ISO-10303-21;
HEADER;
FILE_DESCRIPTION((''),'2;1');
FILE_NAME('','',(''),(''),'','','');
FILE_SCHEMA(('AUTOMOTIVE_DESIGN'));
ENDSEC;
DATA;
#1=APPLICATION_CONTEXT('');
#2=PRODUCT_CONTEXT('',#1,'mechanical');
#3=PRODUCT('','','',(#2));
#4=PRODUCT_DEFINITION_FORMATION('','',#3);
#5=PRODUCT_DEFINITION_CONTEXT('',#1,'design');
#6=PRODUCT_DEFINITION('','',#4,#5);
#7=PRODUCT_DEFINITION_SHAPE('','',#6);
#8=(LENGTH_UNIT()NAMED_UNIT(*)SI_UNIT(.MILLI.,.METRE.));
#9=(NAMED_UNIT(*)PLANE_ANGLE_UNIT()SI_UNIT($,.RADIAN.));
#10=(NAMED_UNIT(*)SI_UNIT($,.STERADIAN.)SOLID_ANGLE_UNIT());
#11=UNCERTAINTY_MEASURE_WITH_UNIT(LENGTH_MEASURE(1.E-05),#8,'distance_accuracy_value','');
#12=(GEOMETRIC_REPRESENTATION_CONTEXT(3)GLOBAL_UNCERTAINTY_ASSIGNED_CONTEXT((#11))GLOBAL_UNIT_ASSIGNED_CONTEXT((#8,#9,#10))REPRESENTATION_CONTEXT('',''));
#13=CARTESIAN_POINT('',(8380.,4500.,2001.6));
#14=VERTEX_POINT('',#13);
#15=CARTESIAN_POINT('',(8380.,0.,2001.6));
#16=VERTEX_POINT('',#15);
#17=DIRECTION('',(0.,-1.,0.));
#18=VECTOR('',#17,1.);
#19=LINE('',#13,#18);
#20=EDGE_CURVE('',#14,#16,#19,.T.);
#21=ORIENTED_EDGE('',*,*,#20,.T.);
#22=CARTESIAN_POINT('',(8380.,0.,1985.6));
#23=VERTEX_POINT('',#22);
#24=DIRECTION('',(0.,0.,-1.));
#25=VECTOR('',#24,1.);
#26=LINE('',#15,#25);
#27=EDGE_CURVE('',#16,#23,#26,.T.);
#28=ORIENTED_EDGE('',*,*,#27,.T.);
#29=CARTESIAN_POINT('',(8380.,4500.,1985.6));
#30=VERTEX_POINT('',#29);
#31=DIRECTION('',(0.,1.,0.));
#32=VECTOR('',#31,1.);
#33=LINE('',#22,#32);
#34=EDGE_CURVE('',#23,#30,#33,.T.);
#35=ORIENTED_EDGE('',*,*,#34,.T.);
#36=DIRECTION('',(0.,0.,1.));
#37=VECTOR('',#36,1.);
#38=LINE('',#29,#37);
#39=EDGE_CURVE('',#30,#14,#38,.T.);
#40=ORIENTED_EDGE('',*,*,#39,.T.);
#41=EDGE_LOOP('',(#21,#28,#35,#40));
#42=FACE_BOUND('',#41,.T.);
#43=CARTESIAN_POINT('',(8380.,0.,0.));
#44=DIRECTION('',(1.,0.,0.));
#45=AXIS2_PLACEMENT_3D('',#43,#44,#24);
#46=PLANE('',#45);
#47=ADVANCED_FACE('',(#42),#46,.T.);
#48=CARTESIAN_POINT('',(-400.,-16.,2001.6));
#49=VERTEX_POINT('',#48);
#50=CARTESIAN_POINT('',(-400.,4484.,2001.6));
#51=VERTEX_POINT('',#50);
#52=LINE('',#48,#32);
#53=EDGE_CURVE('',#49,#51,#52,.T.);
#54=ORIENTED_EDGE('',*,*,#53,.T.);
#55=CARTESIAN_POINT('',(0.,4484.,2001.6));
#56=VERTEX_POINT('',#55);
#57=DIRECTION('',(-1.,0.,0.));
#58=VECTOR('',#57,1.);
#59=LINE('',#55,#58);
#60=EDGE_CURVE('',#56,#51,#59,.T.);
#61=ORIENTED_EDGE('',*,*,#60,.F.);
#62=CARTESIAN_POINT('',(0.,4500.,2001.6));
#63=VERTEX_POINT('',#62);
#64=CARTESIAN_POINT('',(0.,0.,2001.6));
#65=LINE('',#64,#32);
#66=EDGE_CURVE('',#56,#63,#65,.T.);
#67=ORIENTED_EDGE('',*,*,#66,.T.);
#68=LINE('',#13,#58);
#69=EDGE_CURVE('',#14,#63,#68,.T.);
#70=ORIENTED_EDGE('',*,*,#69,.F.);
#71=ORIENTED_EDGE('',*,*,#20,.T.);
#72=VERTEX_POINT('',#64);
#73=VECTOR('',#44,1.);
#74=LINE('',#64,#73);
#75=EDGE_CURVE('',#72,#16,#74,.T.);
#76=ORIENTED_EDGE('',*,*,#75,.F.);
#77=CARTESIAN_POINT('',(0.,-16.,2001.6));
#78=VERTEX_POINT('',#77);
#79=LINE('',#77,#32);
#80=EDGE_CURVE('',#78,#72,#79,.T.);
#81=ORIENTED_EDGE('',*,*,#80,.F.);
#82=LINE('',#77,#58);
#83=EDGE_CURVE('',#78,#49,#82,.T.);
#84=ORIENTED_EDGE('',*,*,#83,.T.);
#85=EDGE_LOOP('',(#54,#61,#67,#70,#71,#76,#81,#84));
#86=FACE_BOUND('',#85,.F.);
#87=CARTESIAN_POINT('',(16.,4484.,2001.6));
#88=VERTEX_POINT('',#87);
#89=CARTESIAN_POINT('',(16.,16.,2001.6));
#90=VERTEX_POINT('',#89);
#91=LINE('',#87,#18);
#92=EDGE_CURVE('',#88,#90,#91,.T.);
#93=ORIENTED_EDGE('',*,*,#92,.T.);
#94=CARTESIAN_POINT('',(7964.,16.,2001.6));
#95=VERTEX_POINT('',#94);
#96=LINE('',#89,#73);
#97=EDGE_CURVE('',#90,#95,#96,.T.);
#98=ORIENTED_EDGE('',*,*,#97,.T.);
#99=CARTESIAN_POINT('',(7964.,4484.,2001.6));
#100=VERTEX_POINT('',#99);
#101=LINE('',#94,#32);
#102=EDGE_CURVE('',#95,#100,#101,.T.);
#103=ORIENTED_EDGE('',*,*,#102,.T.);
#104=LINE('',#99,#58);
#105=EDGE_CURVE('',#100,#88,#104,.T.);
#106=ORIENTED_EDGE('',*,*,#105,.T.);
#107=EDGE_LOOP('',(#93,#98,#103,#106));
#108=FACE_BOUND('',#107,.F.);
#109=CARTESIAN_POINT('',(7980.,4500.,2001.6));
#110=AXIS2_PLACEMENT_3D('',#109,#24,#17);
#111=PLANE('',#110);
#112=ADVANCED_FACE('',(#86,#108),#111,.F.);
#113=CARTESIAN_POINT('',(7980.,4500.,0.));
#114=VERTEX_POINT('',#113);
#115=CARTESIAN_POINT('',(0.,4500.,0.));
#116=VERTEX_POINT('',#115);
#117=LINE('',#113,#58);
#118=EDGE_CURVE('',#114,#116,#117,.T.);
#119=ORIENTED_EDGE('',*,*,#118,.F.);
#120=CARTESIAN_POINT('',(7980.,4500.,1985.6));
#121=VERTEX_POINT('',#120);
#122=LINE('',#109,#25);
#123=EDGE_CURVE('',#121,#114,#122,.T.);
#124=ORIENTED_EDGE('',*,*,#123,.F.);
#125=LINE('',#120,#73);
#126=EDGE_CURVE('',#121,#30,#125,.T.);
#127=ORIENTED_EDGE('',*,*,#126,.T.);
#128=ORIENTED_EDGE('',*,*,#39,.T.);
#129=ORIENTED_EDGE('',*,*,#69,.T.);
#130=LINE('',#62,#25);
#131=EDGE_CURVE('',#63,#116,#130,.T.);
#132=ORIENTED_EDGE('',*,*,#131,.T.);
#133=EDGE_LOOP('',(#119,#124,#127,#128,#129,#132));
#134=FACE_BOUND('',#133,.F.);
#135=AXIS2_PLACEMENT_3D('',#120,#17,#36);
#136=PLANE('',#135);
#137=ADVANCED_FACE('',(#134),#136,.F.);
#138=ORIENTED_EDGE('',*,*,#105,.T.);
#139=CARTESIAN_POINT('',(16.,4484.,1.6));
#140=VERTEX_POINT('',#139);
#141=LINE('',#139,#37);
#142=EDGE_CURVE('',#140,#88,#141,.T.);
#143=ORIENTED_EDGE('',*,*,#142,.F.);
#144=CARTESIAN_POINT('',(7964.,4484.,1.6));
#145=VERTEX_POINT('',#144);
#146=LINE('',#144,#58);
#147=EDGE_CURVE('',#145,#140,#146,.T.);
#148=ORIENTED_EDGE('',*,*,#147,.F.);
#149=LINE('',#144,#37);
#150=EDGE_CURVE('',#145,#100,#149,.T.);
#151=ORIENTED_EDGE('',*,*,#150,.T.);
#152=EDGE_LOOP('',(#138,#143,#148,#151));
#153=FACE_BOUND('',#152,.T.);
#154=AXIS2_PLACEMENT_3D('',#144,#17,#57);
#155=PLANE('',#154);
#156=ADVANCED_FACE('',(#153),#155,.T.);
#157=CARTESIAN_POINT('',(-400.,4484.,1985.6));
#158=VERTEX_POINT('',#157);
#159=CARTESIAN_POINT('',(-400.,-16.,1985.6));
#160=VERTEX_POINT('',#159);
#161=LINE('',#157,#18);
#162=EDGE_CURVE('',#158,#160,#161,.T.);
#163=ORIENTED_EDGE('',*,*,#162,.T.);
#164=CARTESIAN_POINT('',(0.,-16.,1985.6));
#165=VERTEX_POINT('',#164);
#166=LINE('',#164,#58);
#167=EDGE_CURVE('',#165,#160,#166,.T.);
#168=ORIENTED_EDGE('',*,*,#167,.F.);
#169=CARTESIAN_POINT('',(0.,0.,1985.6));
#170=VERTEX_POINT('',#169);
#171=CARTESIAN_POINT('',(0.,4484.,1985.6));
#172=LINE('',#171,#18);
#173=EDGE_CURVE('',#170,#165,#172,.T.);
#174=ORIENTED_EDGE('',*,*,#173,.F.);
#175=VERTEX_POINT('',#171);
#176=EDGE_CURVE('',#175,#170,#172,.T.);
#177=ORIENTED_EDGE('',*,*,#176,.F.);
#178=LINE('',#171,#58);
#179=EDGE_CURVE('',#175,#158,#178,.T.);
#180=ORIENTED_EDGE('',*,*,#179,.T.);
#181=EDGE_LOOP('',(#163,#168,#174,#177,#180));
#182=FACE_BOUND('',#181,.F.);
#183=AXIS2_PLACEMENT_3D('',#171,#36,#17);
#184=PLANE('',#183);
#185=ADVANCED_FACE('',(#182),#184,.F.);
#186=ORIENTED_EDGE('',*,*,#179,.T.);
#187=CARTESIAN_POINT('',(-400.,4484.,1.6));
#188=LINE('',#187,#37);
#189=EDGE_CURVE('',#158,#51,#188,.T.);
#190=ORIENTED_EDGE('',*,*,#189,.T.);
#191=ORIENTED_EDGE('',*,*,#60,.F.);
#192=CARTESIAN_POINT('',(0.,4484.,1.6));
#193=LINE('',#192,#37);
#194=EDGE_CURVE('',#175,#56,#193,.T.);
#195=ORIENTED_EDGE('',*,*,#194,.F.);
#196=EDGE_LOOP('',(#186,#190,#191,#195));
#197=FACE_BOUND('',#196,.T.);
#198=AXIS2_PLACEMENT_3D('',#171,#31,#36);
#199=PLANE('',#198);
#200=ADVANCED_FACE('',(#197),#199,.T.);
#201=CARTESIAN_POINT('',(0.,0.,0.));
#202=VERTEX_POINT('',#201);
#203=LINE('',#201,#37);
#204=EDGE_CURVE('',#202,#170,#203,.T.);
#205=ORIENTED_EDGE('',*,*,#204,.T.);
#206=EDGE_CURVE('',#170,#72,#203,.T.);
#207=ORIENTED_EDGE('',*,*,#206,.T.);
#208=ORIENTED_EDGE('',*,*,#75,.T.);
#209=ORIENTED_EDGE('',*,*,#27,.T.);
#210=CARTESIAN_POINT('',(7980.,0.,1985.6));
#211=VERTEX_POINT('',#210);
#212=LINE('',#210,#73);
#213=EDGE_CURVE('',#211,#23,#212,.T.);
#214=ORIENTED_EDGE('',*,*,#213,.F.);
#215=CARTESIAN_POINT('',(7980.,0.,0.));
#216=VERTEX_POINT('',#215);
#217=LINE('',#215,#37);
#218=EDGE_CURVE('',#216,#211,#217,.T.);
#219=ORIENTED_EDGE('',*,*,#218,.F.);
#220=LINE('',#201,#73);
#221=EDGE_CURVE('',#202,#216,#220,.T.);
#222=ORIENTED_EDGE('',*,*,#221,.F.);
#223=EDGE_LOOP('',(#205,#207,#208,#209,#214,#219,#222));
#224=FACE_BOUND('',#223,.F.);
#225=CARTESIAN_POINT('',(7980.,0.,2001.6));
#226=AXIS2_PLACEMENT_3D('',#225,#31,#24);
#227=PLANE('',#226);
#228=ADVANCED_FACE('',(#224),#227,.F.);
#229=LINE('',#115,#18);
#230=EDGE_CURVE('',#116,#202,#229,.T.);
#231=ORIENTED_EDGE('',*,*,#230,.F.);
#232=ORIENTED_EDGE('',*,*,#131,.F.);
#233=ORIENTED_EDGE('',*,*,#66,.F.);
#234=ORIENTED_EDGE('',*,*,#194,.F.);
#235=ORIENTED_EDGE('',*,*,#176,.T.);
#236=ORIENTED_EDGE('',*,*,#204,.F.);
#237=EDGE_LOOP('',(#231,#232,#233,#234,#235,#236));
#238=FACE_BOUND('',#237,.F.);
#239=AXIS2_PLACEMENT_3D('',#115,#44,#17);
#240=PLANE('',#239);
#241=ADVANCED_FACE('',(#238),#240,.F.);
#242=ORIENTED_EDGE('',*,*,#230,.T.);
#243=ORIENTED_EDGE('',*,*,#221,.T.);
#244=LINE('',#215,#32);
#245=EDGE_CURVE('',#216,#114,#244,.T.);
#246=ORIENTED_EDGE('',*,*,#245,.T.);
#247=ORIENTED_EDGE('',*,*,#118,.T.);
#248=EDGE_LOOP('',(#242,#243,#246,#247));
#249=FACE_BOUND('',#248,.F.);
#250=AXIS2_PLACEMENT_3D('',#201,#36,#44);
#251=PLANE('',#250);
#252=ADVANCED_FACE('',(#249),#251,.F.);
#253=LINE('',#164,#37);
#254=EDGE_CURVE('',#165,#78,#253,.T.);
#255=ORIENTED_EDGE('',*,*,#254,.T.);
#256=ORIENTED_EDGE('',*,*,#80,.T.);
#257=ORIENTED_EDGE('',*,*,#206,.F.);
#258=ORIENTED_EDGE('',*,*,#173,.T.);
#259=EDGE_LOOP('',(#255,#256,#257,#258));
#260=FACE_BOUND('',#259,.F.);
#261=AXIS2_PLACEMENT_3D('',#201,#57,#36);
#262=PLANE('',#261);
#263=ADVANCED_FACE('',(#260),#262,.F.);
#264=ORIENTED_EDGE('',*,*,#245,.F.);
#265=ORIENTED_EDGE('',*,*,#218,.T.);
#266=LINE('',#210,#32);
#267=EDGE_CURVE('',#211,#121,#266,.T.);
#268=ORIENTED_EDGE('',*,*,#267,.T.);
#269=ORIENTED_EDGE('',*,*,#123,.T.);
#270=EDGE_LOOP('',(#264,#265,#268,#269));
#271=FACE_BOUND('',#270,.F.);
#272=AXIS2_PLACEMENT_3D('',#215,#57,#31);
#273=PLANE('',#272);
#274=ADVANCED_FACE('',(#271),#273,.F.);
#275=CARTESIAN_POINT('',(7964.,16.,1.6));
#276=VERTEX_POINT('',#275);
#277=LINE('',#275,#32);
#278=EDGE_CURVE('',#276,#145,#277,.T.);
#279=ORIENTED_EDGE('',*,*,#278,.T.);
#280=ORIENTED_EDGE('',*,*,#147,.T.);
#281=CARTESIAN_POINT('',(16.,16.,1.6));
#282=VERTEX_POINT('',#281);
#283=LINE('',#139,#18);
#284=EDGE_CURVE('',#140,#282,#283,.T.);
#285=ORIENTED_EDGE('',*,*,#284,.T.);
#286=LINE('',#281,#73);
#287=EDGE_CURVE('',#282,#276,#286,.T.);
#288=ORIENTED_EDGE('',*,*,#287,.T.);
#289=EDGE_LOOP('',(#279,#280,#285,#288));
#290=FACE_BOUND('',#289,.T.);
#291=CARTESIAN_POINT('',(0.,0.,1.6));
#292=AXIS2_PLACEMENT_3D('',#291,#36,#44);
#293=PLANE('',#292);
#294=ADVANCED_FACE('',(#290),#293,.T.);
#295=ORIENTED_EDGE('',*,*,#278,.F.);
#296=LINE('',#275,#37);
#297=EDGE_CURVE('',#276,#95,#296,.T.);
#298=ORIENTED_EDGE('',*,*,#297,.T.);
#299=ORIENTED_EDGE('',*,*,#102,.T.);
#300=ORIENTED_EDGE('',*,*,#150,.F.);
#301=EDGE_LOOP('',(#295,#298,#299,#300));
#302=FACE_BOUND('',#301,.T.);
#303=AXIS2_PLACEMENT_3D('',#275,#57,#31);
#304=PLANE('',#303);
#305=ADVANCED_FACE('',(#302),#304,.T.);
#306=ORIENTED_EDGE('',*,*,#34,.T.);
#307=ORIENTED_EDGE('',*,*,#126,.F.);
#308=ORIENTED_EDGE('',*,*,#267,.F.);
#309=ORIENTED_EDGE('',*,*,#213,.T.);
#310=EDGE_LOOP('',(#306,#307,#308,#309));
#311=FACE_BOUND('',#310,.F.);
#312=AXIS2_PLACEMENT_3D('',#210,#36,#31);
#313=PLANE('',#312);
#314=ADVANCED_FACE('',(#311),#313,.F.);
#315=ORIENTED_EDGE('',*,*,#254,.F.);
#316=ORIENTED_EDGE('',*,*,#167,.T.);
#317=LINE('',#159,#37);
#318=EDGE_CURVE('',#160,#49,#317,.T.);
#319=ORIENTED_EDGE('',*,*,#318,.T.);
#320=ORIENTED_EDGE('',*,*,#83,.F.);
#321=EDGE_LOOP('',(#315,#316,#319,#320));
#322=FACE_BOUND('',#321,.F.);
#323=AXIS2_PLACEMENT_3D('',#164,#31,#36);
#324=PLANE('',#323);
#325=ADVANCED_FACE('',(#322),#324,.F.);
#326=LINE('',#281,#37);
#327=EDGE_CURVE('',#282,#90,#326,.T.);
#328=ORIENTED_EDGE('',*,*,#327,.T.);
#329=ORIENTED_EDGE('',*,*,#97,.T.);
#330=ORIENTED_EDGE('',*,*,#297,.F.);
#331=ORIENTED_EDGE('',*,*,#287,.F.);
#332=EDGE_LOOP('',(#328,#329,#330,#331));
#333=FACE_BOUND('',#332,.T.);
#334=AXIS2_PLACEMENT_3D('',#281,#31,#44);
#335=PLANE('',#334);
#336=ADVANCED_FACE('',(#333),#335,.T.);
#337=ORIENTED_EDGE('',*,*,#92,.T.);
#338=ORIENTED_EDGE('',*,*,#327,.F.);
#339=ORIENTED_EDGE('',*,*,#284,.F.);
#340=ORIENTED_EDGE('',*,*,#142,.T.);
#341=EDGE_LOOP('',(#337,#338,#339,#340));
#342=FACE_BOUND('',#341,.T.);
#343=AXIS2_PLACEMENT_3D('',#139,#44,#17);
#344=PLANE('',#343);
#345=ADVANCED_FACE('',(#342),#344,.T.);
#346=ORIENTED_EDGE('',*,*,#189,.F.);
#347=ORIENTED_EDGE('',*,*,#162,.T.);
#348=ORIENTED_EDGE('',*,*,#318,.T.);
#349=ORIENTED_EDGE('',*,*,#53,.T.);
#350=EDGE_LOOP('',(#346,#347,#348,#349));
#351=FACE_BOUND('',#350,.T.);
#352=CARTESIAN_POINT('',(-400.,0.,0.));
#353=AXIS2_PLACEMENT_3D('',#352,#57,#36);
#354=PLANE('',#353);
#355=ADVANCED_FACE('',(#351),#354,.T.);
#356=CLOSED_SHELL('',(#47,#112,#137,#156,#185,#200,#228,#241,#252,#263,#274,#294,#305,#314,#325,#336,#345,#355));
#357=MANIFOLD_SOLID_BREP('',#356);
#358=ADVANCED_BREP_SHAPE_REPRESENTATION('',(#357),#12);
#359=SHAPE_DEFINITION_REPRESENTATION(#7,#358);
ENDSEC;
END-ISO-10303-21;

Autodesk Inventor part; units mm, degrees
ref_plane "YZ Plane" through (0, 0, 0) normal (1, 0, 0) x (0, 1, 0)
ref_plane "XZ Plane" through (0, 0, 0) normal (0, 1, 0) x (-1, 0, 0)
ref_plane "XY Plane" through (0, 0, 0) normal (0, 0, 1) x (1, 0, 0)
sketch "Sketch1" plane through (0, 0, 0) normal (0, 0, 1) x (1, 0, 0)
  line L0 (0, 0) -> (7980, 0)
  line L1 (7980, 0) -> (7980, 4500)
  line L2 (7980, 4500) -> (0, 4500)
  line L3 (0, 4500) -> (0, 0)
  dimension "d0" = 7980
  dimension "d1" = 4500
extrude "Extrusion1" add sketch "Sketch1" along normal blind 1.6
sketch "Sketch2" plane through (0, 0, 1.6) normal (0, 0, 1) x (1, 0, 0)
  line L0 (7980, 4500) -> (0, 4500) projected
  line L1 (0, 0) -> (7980, 0) projected
  line L2 (0, 4500) -> (7980, 4500)
  line L3 (7980, 4500) -> (7980, 0)
  line L4 (7980, 0) -> (0, 0)
  line L5 (0, 0) -> (0, 4500)
  line L6 (7964, 4484) -> (16, 4484)
  line L7 (16, 4484) -> (16, 16)
  line L8 (16, 16) -> (7964, 16)
  line L9 (7964, 16) -> (7964, 4484)
  dimension "d4" = 16
extrude "Extrusion2" add sketch "Sketch2" along normal blind 2000
sketch "Sketch3" plane through (0, 0, 0) normal (-1, 0, 0) x (0, 0, 1)
  line L0 (1.6, 4484) -> (2001.6, 4484) projected
  line L1 (2001.6, 4484) -> (1985.6, 4484)
  line L2 (1985.6, 4484) -> (1985.6, -16)
  line L3 (1985.6, -16) -> (2001.6, -16)
  line L4 (2001.6, -16) -> (2001.6, 4484)
  point P0 (0, 0)
  dimension "d7" = 16
  dimension "d8" = 4500
extrude "Extrusion3" add sketch "Sketch3" along normal blind 400
sketch "Sketch4" plane through (7980, 0, 0) normal (1, 0, 0) x (0, 0, -1)
  line L0 (-2001.6, -16) -> (-2001.6, 0) projected
  line L1 (-2001.6, 0) -> (-1985.6, 0)
  line L2 (-1985.6, 0) -> (-1985.6, 4500)
  line L3 (-1985.6, 4500) -> (-2001.6, 4500)
  line L4 (-2001.6, 4500) -> (-2001.6, 0)
  point P0 (0, 0)
  dimension "d11" = 16
  dimension "d12" = 4500
extrude "Extrusion4" add sketch "Sketch4" along normal blind 400
properties part number "coolant tray" material "Steel"
